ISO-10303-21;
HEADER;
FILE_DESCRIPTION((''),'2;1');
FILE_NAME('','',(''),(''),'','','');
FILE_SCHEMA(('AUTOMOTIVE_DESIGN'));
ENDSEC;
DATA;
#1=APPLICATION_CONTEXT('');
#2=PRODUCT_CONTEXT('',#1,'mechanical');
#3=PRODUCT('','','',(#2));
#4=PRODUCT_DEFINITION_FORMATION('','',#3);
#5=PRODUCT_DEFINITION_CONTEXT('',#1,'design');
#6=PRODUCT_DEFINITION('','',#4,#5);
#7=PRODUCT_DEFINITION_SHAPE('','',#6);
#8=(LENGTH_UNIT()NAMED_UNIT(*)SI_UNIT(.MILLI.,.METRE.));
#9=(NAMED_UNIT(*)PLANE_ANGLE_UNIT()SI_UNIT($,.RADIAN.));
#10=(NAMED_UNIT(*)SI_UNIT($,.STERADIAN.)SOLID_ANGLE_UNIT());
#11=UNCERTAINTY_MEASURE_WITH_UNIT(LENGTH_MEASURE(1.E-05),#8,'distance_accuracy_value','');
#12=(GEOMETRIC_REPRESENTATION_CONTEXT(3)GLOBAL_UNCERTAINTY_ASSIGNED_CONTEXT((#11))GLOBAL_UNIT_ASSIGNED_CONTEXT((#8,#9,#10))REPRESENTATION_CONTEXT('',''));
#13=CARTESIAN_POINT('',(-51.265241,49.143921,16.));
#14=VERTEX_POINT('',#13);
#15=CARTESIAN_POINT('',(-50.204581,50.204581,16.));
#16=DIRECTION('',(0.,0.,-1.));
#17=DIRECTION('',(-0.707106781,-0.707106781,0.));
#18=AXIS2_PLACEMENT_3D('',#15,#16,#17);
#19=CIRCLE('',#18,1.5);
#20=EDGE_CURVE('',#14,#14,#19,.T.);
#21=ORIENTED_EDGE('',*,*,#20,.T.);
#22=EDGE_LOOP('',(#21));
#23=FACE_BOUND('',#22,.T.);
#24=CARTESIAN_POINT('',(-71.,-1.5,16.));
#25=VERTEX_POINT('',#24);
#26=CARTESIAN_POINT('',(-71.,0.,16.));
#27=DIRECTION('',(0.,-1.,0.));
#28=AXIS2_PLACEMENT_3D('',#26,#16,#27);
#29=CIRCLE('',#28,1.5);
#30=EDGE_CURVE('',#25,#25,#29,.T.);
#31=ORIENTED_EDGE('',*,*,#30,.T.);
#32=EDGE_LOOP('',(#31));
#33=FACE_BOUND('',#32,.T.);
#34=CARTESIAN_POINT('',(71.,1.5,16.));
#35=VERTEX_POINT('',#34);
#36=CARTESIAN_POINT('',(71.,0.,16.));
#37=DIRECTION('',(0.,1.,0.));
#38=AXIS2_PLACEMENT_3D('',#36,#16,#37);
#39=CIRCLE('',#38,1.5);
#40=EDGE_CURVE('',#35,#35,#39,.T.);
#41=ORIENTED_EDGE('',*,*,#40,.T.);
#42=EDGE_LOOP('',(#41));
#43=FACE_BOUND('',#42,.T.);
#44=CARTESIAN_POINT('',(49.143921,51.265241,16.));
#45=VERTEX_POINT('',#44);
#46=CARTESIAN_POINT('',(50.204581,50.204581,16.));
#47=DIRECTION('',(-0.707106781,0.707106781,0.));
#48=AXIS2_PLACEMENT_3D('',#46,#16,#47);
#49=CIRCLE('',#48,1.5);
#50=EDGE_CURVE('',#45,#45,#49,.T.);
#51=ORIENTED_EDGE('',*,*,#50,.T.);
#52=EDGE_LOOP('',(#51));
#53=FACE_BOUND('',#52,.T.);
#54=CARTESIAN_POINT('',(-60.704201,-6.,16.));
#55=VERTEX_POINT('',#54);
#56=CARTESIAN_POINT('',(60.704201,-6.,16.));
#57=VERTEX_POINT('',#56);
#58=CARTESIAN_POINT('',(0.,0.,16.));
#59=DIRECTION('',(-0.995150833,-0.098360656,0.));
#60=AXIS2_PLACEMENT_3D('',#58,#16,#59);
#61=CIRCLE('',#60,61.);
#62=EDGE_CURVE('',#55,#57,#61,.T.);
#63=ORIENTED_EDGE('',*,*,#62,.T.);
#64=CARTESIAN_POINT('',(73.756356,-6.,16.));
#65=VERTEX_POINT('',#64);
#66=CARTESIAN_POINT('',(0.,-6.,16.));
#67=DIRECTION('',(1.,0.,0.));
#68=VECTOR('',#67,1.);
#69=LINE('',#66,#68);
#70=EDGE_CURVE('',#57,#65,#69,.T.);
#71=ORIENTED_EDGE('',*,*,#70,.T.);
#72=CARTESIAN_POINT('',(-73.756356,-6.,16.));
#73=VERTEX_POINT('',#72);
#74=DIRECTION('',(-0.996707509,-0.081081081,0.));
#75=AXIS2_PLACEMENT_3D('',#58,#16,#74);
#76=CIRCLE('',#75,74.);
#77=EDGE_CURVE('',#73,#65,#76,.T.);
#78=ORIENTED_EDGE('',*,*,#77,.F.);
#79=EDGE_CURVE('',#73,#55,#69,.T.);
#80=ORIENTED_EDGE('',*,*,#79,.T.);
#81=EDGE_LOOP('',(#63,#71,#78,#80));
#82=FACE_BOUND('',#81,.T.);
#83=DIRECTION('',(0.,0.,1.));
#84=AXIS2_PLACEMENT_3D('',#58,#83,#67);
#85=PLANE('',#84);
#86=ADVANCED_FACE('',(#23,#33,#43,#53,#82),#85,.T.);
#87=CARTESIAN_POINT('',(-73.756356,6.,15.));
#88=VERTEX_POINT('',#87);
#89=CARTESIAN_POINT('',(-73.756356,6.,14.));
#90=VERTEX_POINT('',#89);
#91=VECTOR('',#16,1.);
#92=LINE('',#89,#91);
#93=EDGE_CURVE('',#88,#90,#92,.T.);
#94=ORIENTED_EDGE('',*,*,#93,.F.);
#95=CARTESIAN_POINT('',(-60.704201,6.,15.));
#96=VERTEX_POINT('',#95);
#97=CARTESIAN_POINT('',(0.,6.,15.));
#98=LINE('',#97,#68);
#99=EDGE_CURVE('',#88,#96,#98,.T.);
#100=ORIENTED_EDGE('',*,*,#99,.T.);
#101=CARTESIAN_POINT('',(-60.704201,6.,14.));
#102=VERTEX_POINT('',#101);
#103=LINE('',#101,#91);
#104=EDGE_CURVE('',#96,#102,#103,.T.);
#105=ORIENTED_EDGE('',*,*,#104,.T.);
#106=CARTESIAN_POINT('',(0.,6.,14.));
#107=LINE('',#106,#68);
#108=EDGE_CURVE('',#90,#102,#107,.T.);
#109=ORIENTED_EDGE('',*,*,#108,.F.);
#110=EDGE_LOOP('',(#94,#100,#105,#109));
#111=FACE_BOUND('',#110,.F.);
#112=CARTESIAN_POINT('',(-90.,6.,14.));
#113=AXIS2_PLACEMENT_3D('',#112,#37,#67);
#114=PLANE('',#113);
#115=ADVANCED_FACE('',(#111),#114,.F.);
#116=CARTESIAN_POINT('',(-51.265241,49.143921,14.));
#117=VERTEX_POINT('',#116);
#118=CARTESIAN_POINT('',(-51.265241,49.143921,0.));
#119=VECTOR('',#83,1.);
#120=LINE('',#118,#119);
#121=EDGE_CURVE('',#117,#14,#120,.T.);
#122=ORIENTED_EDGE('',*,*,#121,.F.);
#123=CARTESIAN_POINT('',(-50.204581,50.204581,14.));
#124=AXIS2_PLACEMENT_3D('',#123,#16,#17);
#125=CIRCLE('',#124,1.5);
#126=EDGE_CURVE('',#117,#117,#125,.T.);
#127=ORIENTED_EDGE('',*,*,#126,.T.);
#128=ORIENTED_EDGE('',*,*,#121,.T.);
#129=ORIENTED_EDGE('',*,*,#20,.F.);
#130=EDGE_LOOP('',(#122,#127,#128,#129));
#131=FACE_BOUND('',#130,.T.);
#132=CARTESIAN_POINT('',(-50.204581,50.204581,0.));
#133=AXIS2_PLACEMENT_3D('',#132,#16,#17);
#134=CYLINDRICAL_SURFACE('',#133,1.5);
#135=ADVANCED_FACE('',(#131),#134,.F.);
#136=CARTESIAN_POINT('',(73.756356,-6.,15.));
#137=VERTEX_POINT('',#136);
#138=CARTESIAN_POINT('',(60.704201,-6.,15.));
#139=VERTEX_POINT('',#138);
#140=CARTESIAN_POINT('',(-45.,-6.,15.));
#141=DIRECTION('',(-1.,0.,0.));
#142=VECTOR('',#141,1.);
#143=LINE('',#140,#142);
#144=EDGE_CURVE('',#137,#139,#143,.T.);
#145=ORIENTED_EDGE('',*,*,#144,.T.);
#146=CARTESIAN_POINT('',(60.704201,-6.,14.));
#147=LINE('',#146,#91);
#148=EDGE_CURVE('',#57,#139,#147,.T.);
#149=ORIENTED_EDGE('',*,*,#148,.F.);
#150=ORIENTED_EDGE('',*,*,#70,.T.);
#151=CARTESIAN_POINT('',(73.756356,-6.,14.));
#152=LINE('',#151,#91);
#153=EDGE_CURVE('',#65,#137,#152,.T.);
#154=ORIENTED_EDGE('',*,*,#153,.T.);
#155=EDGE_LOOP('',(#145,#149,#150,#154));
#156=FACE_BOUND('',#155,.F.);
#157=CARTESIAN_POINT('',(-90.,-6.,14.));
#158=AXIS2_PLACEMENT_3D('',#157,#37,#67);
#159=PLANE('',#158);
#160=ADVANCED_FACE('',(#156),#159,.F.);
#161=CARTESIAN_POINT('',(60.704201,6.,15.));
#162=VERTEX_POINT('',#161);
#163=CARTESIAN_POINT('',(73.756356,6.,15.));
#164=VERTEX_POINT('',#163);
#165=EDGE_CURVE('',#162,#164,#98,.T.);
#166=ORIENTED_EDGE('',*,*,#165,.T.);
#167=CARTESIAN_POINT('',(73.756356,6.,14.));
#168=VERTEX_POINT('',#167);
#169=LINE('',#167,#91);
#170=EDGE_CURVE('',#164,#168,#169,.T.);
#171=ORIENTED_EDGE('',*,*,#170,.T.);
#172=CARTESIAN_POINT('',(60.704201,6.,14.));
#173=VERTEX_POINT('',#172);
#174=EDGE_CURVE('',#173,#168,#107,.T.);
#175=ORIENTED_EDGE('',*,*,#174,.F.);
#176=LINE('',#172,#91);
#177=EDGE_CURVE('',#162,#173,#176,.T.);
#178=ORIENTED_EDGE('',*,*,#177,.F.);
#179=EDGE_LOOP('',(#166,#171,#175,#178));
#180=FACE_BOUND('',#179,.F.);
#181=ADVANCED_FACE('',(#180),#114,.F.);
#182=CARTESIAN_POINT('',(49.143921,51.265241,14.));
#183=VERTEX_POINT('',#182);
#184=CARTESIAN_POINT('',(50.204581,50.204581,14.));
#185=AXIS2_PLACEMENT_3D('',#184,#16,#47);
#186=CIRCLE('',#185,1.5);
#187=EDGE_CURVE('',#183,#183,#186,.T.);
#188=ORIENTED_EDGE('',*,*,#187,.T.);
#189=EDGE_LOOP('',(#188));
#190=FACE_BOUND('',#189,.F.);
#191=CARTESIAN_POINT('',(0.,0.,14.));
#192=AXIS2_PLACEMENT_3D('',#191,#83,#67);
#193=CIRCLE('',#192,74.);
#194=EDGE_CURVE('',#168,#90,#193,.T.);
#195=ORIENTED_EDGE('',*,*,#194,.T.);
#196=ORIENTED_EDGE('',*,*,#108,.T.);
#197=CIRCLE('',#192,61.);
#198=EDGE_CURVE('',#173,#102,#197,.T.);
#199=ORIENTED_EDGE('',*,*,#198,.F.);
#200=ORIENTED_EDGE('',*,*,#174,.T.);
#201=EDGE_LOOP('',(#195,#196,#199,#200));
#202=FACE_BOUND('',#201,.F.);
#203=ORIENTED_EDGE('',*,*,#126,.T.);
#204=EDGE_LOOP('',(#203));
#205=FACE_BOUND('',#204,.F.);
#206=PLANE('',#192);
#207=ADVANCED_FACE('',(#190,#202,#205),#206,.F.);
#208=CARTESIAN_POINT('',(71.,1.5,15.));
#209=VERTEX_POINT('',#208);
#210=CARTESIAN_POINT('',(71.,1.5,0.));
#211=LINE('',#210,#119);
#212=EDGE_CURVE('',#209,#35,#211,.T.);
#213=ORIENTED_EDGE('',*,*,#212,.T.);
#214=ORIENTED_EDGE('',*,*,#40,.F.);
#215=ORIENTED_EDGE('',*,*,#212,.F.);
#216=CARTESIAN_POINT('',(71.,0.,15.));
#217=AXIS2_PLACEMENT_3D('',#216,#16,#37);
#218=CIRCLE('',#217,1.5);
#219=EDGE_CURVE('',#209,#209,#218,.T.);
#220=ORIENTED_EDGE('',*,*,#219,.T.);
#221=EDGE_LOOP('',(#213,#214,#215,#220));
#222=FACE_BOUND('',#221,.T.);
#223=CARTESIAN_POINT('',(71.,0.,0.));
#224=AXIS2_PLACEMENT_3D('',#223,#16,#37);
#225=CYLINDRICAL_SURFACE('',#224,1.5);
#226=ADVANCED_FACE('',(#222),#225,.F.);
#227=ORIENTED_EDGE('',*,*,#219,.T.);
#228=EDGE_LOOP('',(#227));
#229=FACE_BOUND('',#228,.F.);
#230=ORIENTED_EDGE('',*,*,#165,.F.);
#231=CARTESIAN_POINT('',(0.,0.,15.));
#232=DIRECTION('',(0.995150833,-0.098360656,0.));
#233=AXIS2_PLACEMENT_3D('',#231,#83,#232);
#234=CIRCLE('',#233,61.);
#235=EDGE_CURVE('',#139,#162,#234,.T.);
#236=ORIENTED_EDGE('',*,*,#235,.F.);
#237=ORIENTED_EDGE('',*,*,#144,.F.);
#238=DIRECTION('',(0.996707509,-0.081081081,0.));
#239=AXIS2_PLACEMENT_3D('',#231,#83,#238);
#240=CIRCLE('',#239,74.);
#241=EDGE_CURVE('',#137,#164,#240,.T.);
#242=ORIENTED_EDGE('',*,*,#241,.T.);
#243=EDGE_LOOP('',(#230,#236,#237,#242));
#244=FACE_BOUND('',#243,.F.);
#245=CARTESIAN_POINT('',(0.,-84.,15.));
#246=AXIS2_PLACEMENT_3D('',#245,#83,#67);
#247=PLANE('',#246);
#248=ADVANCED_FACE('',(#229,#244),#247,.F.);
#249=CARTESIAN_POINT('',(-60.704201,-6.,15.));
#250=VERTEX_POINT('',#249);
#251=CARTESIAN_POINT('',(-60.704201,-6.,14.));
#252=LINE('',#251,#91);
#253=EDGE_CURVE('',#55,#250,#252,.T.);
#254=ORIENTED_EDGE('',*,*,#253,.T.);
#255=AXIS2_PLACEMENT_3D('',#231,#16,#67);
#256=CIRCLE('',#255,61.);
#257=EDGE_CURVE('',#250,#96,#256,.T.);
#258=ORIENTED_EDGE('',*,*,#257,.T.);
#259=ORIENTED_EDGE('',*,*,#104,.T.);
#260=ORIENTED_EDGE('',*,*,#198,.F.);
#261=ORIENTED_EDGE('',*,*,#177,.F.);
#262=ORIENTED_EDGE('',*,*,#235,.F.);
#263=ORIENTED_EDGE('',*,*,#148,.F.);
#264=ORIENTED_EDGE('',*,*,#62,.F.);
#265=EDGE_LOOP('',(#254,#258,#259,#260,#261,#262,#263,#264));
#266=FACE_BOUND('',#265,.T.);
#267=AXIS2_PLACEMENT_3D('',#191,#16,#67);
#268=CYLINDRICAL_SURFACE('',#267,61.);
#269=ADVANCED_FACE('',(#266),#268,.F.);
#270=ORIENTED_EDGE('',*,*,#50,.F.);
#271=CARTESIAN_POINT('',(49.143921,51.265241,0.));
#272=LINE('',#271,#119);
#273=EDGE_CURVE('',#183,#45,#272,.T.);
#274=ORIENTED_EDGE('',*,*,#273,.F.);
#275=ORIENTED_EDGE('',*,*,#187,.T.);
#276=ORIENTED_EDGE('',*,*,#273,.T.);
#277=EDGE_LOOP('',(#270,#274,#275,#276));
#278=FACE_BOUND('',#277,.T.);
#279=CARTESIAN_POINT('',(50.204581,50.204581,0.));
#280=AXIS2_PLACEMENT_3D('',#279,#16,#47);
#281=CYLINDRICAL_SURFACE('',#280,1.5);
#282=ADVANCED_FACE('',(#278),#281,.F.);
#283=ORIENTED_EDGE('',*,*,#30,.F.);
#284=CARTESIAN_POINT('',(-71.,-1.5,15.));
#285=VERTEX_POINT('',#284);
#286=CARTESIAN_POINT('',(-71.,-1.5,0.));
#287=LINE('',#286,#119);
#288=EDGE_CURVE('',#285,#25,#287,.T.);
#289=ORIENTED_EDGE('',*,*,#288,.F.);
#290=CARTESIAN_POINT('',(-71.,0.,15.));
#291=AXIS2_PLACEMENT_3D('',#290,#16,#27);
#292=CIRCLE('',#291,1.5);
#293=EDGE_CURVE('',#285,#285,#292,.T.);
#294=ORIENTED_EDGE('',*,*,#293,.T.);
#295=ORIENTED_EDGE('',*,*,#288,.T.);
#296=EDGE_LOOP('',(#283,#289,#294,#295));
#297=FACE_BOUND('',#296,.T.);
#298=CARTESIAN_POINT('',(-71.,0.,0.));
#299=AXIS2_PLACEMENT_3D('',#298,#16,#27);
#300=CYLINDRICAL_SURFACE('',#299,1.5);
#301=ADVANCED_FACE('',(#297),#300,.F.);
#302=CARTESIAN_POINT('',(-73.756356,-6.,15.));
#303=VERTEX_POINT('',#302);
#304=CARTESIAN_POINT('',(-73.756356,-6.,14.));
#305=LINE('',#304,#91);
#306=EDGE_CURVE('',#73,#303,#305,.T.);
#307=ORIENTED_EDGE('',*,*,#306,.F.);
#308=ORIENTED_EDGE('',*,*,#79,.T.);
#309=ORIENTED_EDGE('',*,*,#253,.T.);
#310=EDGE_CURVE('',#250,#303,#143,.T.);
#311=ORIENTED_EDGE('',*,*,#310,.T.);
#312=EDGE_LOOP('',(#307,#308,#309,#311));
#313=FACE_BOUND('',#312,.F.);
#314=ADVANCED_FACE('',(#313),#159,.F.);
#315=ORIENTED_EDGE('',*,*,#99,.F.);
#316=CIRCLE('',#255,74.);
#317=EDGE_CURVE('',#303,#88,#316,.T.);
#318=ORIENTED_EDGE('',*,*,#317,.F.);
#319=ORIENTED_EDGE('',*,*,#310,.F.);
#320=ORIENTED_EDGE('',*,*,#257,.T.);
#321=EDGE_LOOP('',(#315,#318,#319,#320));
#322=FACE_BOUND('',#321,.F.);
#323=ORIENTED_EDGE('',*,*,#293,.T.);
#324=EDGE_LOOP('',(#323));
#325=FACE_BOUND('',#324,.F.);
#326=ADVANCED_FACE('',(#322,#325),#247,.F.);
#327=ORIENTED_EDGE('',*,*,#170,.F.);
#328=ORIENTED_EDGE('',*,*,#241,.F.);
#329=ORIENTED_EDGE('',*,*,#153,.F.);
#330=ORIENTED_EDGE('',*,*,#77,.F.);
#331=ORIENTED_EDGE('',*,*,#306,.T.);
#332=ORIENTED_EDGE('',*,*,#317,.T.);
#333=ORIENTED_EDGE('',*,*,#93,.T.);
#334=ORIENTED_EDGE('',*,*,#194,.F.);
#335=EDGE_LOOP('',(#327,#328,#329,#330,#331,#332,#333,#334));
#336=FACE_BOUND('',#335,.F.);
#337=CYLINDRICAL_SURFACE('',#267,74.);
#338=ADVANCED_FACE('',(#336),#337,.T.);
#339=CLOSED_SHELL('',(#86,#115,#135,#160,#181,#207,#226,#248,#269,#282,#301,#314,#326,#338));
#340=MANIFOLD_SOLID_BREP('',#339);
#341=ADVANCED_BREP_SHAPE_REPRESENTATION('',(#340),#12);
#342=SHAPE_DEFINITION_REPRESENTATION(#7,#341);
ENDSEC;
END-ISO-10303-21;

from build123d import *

# Parameters (mm, degrees)
BOX001_W                    = 180
BOX001_H                    = 180
BOX001_DEPTH                = 2
BOX_W                       = 180
BOX_H                       = 180
BOX_DEPTH                   = 1
CYLINDER494_R               = 1.5
CYLINDER494_DEPTH           = 60
CYLINDER494_PLACEMENT_ANGLE = 45
CYLINDER495_R               = 1.5
CYLINDER495_DEPTH           = 60
CYLINDER496_R               = 1.5
CYLINDER496_DEPTH           = 60
CYLINDER496_PLACEMENT_ANGLE = 135
CYLINDER498_R               = 1.5
CYLINDER498_DEPTH           = 60
CYLINDER498_PLACEMENT_ANGLE = 225
CYLINDER499_R               = 1.5
CYLINDER499_DEPTH           = 60
CYLINDER500_R               = 1.5
CYLINDER500_DEPTH           = 60
CYLINDER500_PLACEMENT_ANGLE = 45
CYLINDER_R                  = 1.5
CYLINDER_DEPTH              = 60
TUBE029_R                   = 74
TUBE029_R_2                 = 61
TUBE029_DEPTH               = 2


with BuildPart() as krychle001:
    # Box001 → Box001 (new body)
    with BuildSketch(Plane(origin=(-90, -186, 14), x_dir=(1, 0, 0), z_dir=(0, 0, 1))):
        with Locations((90, 90)):
            Rectangle(BOX001_W, BOX001_H)
    extrude(amount=BOX001_DEPTH)


with BuildPart() as krychle:
    # Box → Box (new body)
    with BuildSketch(Plane(origin=(-90, -174, 14), x_dir=(1, 0, 0), z_dir=(0, 0, 1))):
        with Locations((90, 90)):
            Rectangle(BOX_W, BOX_H)
    extrude(amount=BOX_DEPTH)


with BuildPart() as v_lec494:
    # Cylinder494 → Cylinder494 (new body)
    with BuildSketch(Plane.XY):
        Circle(CYLINDER494_R)
    extrude(amount=CYLINDER494_DEPTH)


with BuildPart() as v_lec494_1:
    # Cylinder494 placement: moved
    add(v_lec494.part.moved(Location((50.204581, -50.204581, 0))).rotate(Axis((50.204581, -50.204581, 0), (0, 0, 1)), CYLINDER494_PLACEMENT_ANGLE))


with BuildPart() as v_lec495:
    # Cylinder495 → Cylinder495 (new body)
    with BuildSketch(Plane(origin=(71, 0, 0), x_dir=(0, 1, 0), z_dir=(0, 0, 1))):
        Circle(CYLINDER495_R)
    extrude(amount=CYLINDER495_DEPTH)


with BuildPart() as v_lec496:
    # Cylinder496 → Cylinder496 (new body)
    with BuildSketch(Plane.XY):
        Circle(CYLINDER496_R)
    extrude(amount=CYLINDER496_DEPTH)


with BuildPart() as v_lec496_1:
    # Cylinder496 placement: moved
    add(v_lec496.part.moved(Location((50.204581, 50.204581, 0))).rotate(Axis((50.204581, 50.204581, 0), (0, 0, 1)), CYLINDER496_PLACEMENT_ANGLE))


with BuildPart() as v_lec498:
    # Cylinder498 → Cylinder498 (new body)
    with BuildSketch(Plane.XY):
        Circle(CYLINDER498_R)
    extrude(amount=CYLINDER498_DEPTH)


with BuildPart() as v_lec498_1:
    # Cylinder498 placement: moved
    add(v_lec498.part.moved(Location((-50.204581, 50.204581, 0))).rotate(Axis((-50.204581, 50.204581, 0), (0, 0, 1)), CYLINDER498_PLACEMENT_ANGLE))


with BuildPart() as v_lec499:
    # Cylinder499 → Cylinder499 (new body)
    with BuildSketch(Plane(origin=(-71, 0, 0), x_dir=(0, -1, 0), z_dir=(0, 0, 1))):
        Circle(CYLINDER499_R)
    extrude(amount=CYLINDER499_DEPTH)


with BuildPart() as v_lec500:
    # Cylinder500 → Cylinder500 (new body)
    with BuildSketch(Plane.XY):
        Circle(CYLINDER500_R)
    extrude(amount=CYLINDER500_DEPTH)


with BuildPart() as v_lec500_1:
    # Cylinder500 placement: moved
    add(v_lec500.part.moved(Location((-50.204581, -50.204581, 0))).rotate(Axis((-50.204581, -50.204581, 0), (0, 0, -1)), CYLINDER500_PLACEMENT_ANGLE))


with BuildPart() as compound330:
    # Cylinder → Cylinder (new body)
    with BuildSketch(Plane(origin=(0, -71, 0), x_dir=(1, 0, 0), z_dir=(0, 0, 1))):
        Circle(CYLINDER_R)
    extrude(amount=CYLINDER_DEPTH)

    # Compound330: union Válec494, Válec495, Válec496, Válec498, Válec499, Válec500
    add(v_lec494_1.part)
    add(v_lec495.part)
    add(v_lec496_1.part)
    add(v_lec498_1.part)
    add(v_lec499.part)
    add(v_lec500_1.part)


with BuildPart() as bazovina_part_g1:
    # Tube029 → Tube029 (new body)
    with BuildSketch(Plane.XY.offset(14)):
        Circle(TUBE029_R)
        Circle(TUBE029_R_2, mode=Mode.SUBTRACT)
    extrude(amount=TUBE029_DEPTH)

    # Cut204: cut Compound330
    add(compound330.part, mode=Mode.SUBTRACT)

    # Cut: cut Krychle
    add(krychle.part, mode=Mode.SUBTRACT)

    # Cut206: cut Krychle001
    add(krychle001.part, mode=Mode.SUBTRACT)


solid = bazovina_part_g1.part
